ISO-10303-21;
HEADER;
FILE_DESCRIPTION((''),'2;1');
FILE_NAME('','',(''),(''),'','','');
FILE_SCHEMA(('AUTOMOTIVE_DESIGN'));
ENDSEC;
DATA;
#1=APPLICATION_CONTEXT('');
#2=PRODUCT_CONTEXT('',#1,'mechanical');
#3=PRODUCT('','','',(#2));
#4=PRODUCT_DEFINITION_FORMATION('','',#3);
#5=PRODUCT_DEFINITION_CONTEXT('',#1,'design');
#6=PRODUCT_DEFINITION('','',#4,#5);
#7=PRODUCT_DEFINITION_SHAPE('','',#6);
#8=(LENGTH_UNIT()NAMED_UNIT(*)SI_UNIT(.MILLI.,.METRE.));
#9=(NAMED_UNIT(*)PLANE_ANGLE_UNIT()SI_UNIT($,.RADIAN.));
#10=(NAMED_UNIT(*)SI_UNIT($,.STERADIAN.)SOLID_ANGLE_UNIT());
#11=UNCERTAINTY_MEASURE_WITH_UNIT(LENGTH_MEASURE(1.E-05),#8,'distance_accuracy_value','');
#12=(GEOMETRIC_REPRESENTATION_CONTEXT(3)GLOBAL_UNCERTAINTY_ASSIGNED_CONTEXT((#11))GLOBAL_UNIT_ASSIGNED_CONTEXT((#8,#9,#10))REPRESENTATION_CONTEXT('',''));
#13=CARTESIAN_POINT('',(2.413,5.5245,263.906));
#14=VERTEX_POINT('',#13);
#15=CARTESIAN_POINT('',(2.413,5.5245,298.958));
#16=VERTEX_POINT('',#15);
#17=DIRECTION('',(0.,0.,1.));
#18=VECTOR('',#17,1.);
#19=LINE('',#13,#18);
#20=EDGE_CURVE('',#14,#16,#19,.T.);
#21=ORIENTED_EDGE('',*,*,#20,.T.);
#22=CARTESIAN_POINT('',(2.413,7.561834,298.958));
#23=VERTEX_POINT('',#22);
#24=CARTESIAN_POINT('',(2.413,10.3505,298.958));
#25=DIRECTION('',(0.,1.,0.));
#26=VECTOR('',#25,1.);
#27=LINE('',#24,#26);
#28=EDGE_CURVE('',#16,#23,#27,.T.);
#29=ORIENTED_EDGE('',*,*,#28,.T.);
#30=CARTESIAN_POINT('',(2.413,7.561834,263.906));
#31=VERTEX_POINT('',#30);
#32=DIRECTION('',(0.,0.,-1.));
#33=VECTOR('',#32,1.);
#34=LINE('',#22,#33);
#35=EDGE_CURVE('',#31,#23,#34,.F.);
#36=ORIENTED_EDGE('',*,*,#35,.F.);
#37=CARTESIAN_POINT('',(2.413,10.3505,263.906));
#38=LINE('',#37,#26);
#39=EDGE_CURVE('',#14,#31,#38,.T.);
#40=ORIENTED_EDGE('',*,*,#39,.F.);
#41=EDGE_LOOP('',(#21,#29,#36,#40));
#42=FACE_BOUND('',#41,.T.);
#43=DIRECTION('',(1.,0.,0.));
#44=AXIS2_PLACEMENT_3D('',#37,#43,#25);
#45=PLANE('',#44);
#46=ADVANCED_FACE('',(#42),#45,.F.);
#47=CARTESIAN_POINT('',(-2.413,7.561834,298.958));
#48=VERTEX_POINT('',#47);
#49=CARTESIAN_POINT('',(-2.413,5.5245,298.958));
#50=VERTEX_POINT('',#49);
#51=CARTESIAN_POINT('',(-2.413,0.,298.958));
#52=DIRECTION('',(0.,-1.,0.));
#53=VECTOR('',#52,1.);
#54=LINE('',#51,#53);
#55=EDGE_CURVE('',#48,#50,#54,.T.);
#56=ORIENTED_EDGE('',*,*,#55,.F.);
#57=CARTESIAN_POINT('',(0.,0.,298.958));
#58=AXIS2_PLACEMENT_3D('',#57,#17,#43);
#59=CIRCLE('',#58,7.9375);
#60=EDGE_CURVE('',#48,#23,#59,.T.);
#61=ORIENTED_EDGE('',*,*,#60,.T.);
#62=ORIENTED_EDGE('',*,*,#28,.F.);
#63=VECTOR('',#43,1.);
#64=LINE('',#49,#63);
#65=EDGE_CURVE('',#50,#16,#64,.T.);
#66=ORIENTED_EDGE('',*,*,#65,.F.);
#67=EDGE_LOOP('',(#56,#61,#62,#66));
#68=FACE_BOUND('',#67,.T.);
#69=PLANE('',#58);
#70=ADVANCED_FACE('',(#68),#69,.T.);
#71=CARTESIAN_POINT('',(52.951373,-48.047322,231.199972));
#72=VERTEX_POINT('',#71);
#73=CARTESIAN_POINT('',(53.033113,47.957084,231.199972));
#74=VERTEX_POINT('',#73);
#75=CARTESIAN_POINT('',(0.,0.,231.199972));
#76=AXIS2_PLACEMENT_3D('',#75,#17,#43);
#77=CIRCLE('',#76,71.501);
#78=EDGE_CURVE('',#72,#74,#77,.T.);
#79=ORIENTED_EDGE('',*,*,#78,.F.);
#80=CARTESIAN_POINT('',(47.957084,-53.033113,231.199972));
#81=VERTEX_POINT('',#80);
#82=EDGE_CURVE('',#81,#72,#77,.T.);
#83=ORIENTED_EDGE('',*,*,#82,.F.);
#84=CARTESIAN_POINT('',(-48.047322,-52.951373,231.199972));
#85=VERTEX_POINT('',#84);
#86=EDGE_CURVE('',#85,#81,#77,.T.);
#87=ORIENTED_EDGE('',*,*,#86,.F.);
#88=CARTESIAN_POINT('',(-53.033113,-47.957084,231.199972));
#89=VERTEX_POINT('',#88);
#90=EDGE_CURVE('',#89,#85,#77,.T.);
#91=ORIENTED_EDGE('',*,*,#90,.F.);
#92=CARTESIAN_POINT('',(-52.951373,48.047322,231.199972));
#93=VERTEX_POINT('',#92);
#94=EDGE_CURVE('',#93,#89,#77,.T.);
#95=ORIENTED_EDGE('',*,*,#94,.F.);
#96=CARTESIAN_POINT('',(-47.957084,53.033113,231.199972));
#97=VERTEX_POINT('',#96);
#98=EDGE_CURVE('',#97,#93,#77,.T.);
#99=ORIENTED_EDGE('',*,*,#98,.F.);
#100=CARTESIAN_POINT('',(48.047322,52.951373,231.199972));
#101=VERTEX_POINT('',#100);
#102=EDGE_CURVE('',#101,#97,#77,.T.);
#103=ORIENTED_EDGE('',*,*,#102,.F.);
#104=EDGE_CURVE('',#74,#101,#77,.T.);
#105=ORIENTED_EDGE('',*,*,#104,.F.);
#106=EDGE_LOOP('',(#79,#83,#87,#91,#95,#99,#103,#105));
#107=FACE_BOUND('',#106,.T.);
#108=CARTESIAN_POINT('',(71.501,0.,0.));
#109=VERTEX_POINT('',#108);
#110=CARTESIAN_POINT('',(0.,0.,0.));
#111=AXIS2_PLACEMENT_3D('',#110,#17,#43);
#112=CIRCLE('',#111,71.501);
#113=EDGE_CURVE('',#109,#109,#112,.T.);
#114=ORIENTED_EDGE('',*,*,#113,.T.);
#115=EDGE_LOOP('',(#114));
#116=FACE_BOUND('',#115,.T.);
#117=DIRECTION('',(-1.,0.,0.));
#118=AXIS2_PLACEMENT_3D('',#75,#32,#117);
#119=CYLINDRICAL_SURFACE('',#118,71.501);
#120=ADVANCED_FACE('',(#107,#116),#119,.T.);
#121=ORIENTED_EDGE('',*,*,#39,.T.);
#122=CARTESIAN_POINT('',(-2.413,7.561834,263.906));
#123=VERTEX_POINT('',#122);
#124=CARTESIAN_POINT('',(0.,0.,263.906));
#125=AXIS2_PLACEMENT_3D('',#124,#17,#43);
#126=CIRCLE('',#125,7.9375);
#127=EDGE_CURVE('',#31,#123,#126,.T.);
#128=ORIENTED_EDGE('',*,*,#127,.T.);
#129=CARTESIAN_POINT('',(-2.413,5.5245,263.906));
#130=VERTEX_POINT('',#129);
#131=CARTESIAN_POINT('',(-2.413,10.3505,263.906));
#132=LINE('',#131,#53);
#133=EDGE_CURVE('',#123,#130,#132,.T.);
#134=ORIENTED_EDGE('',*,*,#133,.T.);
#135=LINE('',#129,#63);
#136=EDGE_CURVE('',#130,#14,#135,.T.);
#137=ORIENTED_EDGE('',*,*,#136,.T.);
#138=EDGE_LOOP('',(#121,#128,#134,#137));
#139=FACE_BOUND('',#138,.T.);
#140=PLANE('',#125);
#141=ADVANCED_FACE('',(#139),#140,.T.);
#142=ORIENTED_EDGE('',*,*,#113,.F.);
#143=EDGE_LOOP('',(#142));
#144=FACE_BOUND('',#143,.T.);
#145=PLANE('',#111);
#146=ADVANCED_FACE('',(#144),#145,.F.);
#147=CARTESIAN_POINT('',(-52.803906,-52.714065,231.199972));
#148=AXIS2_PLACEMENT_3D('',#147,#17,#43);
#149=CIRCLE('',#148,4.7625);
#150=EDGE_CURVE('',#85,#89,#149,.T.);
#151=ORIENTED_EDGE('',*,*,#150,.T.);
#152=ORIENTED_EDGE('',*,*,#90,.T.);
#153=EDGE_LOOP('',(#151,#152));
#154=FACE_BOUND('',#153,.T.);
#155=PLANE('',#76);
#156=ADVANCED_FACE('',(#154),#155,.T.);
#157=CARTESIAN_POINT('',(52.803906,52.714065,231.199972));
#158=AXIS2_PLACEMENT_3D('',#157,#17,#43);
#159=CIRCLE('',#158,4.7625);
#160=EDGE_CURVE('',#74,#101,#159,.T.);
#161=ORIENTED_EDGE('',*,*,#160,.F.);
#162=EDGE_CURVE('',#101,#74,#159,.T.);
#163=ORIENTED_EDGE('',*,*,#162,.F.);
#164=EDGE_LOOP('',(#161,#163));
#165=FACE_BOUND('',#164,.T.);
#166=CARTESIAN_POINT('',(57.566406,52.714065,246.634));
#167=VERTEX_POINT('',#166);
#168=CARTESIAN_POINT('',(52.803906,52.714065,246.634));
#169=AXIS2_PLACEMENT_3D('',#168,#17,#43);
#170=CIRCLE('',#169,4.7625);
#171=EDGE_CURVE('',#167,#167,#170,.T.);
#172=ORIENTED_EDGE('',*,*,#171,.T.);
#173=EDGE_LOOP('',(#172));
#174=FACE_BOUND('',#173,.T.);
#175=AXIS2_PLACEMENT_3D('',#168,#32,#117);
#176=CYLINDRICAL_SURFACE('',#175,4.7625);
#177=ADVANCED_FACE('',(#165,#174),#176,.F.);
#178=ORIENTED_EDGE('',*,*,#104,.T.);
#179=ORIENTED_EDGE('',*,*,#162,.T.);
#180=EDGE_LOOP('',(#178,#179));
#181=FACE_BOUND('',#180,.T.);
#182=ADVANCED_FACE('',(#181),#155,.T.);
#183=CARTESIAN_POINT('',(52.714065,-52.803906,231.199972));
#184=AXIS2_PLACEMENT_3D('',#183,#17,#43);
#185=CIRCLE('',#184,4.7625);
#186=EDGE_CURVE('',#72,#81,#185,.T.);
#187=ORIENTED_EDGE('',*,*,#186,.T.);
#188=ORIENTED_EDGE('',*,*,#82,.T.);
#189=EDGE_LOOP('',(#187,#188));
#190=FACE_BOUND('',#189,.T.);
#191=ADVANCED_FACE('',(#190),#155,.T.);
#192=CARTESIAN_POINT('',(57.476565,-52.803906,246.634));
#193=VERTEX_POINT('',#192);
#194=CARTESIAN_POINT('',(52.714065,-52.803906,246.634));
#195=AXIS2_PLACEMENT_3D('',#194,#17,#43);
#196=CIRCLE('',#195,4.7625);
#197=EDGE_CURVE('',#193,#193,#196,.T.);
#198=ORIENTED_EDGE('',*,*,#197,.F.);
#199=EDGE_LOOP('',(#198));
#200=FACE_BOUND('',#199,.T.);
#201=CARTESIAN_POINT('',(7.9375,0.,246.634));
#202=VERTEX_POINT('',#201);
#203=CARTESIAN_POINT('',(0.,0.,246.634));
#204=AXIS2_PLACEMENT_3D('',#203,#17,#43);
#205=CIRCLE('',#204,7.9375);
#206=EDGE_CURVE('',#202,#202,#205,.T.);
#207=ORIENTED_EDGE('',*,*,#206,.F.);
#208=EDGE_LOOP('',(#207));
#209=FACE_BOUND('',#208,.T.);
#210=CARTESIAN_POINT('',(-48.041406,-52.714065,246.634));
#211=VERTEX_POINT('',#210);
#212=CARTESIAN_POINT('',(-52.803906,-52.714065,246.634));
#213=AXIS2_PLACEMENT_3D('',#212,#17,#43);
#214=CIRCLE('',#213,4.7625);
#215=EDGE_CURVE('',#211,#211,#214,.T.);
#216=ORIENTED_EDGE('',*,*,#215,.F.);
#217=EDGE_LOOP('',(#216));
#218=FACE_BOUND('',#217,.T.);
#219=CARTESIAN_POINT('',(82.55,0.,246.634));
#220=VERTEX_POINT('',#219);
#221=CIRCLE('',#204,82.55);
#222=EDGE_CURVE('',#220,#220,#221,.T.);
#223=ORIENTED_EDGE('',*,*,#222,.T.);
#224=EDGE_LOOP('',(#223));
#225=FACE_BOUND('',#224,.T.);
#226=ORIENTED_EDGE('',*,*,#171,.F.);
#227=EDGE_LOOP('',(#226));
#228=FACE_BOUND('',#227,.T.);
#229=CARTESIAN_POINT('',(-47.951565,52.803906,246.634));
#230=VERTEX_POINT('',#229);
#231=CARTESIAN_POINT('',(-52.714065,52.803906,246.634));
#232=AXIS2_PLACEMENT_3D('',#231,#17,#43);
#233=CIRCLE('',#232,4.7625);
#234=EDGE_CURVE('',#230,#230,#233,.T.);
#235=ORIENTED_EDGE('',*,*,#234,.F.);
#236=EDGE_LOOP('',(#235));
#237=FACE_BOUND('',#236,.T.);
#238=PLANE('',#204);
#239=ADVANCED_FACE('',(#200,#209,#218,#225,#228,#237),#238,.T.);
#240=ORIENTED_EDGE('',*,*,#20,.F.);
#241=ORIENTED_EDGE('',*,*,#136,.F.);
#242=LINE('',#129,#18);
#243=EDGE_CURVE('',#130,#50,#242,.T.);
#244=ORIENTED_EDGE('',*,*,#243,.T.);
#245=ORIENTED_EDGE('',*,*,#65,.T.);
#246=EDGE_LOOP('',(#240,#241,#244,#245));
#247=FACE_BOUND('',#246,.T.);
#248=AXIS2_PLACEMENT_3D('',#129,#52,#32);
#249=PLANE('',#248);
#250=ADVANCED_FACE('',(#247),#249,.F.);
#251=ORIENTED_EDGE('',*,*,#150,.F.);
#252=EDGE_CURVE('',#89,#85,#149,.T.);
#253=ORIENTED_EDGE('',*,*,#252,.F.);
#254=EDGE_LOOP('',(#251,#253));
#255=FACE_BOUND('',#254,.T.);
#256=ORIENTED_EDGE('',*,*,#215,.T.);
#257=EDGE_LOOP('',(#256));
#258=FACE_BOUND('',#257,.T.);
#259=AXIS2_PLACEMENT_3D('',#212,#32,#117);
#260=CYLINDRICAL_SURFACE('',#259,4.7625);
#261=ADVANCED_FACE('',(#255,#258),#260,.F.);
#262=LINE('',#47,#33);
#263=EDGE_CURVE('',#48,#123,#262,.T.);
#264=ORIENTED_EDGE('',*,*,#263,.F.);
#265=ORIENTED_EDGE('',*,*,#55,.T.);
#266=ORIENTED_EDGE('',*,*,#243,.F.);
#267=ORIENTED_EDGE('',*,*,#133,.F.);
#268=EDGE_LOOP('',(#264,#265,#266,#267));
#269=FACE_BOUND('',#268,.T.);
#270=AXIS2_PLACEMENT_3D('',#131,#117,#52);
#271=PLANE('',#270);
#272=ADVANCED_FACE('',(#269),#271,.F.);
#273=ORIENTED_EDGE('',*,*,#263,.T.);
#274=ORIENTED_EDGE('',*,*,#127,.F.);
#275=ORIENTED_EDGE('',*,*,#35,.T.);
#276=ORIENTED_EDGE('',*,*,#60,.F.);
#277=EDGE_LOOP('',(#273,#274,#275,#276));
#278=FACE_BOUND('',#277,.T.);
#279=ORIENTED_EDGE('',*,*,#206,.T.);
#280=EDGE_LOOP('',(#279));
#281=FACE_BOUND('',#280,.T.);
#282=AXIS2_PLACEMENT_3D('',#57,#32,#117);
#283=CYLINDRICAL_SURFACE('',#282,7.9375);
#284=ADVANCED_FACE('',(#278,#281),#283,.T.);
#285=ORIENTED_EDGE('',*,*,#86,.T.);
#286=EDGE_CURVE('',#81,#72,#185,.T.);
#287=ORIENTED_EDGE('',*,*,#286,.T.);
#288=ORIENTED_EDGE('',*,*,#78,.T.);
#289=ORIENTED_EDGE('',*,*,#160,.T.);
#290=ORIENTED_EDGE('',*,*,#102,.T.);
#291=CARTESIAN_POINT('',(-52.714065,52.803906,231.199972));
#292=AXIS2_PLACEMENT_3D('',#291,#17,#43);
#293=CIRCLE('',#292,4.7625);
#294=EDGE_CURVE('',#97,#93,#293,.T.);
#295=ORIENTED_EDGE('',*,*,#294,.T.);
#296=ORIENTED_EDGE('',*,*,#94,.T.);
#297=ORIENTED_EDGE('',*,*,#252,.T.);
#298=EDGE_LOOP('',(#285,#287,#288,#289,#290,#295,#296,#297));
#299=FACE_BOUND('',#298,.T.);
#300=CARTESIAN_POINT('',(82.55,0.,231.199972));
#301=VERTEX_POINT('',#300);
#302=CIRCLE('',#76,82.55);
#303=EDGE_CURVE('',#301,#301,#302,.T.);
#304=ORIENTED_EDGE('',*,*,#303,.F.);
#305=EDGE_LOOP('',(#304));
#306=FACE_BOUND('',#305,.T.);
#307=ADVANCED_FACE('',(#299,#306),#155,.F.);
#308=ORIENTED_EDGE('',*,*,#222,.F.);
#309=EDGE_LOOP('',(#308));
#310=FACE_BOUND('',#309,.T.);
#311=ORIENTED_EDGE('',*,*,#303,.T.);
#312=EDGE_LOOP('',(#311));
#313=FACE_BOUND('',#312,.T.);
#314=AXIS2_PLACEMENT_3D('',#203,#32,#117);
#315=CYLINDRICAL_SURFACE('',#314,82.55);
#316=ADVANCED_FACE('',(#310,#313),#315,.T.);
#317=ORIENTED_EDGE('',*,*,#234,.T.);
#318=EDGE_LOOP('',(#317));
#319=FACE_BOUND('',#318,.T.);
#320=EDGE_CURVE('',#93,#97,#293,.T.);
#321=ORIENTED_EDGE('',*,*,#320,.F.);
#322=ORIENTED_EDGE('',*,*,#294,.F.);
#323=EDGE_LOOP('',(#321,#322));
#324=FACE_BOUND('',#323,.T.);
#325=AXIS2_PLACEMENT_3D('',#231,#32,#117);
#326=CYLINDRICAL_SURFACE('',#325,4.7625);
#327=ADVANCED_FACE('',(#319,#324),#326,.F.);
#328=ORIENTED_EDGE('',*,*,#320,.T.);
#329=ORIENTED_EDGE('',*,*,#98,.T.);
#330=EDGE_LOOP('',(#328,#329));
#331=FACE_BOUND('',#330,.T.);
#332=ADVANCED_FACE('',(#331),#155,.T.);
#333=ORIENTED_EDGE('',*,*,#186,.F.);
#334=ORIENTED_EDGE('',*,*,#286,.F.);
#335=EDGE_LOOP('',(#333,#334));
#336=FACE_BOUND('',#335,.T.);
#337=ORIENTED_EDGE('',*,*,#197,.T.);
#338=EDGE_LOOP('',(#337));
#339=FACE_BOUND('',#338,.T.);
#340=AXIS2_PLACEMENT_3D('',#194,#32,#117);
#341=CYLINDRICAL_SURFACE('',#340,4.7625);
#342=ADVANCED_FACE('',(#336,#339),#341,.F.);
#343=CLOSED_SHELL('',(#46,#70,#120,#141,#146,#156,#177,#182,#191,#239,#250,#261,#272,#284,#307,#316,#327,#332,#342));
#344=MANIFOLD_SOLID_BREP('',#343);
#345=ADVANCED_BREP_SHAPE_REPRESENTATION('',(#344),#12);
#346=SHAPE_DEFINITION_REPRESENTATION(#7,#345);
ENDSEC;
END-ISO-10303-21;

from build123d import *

# Parameters (mm, degrees)
SKETCH2_R           = 71.501
BOSS_EXTRUDE1_DEPTH = 231.199972222
SKETCH3_R           = 82.55
SKETCH3_R_2         = 4.7625
BOSS_EXTRUDE2_DEPTH = 15.434027778
SKETCH4_R           = 7.9375
BOSS_EXTRUDE3_DEPTH = 52.324
SKETCH5_W           = 4.826
SKETCH5_H           = 4.826
CUT_EXTRUDE1_DEPTH  = 35.052


with BuildPart() as part:
    # Sketch2 → Boss-Extrude1 (new body)
    with BuildSketch(Plane.XY):
        Circle(SKETCH2_R)
    extrude(amount=BOSS_EXTRUDE1_DEPTH)

    # Sketch3 → Boss-Extrude2 (add)
    with BuildSketch(Plane.XY.offset(231.199972222)):
        Circle(SKETCH3_R)
        with Locations((-52.714065184, 52.803905992)):
            Circle(SKETCH3_R_2, mode=Mode.SUBTRACT)
        with Locations((52.803905992, 52.714065184)):
            Circle(SKETCH3_R_2, mode=Mode.SUBTRACT)
        with Locations((52.714065184, -52.803905992)):
            Circle(SKETCH3_R_2, mode=Mode.SUBTRACT)
        with Locations((-52.803905992, -52.714065184)):
            Circle(SKETCH3_R_2, mode=Mode.SUBTRACT)
    extrude(amount=BOSS_EXTRUDE2_DEPTH)

    # Sketch4 → Boss-Extrude3 (add)
    with BuildSketch(Plane.XY.offset(246.634)):
        Circle(SKETCH4_R)
    extrude(amount=BOSS_EXTRUDE3_DEPTH)

    # Sketch5 → Cut-Extrude1 (cut)
    with BuildSketch(Plane.XY.offset(298.958)):
        with Locations((0, 7.9375)):
            Rectangle(SKETCH5_W, SKETCH5_H)
    extrude(amount=-CUT_EXTRUDE1_DEPTH, mode=Mode.SUBTRACT)


solid = part.part
